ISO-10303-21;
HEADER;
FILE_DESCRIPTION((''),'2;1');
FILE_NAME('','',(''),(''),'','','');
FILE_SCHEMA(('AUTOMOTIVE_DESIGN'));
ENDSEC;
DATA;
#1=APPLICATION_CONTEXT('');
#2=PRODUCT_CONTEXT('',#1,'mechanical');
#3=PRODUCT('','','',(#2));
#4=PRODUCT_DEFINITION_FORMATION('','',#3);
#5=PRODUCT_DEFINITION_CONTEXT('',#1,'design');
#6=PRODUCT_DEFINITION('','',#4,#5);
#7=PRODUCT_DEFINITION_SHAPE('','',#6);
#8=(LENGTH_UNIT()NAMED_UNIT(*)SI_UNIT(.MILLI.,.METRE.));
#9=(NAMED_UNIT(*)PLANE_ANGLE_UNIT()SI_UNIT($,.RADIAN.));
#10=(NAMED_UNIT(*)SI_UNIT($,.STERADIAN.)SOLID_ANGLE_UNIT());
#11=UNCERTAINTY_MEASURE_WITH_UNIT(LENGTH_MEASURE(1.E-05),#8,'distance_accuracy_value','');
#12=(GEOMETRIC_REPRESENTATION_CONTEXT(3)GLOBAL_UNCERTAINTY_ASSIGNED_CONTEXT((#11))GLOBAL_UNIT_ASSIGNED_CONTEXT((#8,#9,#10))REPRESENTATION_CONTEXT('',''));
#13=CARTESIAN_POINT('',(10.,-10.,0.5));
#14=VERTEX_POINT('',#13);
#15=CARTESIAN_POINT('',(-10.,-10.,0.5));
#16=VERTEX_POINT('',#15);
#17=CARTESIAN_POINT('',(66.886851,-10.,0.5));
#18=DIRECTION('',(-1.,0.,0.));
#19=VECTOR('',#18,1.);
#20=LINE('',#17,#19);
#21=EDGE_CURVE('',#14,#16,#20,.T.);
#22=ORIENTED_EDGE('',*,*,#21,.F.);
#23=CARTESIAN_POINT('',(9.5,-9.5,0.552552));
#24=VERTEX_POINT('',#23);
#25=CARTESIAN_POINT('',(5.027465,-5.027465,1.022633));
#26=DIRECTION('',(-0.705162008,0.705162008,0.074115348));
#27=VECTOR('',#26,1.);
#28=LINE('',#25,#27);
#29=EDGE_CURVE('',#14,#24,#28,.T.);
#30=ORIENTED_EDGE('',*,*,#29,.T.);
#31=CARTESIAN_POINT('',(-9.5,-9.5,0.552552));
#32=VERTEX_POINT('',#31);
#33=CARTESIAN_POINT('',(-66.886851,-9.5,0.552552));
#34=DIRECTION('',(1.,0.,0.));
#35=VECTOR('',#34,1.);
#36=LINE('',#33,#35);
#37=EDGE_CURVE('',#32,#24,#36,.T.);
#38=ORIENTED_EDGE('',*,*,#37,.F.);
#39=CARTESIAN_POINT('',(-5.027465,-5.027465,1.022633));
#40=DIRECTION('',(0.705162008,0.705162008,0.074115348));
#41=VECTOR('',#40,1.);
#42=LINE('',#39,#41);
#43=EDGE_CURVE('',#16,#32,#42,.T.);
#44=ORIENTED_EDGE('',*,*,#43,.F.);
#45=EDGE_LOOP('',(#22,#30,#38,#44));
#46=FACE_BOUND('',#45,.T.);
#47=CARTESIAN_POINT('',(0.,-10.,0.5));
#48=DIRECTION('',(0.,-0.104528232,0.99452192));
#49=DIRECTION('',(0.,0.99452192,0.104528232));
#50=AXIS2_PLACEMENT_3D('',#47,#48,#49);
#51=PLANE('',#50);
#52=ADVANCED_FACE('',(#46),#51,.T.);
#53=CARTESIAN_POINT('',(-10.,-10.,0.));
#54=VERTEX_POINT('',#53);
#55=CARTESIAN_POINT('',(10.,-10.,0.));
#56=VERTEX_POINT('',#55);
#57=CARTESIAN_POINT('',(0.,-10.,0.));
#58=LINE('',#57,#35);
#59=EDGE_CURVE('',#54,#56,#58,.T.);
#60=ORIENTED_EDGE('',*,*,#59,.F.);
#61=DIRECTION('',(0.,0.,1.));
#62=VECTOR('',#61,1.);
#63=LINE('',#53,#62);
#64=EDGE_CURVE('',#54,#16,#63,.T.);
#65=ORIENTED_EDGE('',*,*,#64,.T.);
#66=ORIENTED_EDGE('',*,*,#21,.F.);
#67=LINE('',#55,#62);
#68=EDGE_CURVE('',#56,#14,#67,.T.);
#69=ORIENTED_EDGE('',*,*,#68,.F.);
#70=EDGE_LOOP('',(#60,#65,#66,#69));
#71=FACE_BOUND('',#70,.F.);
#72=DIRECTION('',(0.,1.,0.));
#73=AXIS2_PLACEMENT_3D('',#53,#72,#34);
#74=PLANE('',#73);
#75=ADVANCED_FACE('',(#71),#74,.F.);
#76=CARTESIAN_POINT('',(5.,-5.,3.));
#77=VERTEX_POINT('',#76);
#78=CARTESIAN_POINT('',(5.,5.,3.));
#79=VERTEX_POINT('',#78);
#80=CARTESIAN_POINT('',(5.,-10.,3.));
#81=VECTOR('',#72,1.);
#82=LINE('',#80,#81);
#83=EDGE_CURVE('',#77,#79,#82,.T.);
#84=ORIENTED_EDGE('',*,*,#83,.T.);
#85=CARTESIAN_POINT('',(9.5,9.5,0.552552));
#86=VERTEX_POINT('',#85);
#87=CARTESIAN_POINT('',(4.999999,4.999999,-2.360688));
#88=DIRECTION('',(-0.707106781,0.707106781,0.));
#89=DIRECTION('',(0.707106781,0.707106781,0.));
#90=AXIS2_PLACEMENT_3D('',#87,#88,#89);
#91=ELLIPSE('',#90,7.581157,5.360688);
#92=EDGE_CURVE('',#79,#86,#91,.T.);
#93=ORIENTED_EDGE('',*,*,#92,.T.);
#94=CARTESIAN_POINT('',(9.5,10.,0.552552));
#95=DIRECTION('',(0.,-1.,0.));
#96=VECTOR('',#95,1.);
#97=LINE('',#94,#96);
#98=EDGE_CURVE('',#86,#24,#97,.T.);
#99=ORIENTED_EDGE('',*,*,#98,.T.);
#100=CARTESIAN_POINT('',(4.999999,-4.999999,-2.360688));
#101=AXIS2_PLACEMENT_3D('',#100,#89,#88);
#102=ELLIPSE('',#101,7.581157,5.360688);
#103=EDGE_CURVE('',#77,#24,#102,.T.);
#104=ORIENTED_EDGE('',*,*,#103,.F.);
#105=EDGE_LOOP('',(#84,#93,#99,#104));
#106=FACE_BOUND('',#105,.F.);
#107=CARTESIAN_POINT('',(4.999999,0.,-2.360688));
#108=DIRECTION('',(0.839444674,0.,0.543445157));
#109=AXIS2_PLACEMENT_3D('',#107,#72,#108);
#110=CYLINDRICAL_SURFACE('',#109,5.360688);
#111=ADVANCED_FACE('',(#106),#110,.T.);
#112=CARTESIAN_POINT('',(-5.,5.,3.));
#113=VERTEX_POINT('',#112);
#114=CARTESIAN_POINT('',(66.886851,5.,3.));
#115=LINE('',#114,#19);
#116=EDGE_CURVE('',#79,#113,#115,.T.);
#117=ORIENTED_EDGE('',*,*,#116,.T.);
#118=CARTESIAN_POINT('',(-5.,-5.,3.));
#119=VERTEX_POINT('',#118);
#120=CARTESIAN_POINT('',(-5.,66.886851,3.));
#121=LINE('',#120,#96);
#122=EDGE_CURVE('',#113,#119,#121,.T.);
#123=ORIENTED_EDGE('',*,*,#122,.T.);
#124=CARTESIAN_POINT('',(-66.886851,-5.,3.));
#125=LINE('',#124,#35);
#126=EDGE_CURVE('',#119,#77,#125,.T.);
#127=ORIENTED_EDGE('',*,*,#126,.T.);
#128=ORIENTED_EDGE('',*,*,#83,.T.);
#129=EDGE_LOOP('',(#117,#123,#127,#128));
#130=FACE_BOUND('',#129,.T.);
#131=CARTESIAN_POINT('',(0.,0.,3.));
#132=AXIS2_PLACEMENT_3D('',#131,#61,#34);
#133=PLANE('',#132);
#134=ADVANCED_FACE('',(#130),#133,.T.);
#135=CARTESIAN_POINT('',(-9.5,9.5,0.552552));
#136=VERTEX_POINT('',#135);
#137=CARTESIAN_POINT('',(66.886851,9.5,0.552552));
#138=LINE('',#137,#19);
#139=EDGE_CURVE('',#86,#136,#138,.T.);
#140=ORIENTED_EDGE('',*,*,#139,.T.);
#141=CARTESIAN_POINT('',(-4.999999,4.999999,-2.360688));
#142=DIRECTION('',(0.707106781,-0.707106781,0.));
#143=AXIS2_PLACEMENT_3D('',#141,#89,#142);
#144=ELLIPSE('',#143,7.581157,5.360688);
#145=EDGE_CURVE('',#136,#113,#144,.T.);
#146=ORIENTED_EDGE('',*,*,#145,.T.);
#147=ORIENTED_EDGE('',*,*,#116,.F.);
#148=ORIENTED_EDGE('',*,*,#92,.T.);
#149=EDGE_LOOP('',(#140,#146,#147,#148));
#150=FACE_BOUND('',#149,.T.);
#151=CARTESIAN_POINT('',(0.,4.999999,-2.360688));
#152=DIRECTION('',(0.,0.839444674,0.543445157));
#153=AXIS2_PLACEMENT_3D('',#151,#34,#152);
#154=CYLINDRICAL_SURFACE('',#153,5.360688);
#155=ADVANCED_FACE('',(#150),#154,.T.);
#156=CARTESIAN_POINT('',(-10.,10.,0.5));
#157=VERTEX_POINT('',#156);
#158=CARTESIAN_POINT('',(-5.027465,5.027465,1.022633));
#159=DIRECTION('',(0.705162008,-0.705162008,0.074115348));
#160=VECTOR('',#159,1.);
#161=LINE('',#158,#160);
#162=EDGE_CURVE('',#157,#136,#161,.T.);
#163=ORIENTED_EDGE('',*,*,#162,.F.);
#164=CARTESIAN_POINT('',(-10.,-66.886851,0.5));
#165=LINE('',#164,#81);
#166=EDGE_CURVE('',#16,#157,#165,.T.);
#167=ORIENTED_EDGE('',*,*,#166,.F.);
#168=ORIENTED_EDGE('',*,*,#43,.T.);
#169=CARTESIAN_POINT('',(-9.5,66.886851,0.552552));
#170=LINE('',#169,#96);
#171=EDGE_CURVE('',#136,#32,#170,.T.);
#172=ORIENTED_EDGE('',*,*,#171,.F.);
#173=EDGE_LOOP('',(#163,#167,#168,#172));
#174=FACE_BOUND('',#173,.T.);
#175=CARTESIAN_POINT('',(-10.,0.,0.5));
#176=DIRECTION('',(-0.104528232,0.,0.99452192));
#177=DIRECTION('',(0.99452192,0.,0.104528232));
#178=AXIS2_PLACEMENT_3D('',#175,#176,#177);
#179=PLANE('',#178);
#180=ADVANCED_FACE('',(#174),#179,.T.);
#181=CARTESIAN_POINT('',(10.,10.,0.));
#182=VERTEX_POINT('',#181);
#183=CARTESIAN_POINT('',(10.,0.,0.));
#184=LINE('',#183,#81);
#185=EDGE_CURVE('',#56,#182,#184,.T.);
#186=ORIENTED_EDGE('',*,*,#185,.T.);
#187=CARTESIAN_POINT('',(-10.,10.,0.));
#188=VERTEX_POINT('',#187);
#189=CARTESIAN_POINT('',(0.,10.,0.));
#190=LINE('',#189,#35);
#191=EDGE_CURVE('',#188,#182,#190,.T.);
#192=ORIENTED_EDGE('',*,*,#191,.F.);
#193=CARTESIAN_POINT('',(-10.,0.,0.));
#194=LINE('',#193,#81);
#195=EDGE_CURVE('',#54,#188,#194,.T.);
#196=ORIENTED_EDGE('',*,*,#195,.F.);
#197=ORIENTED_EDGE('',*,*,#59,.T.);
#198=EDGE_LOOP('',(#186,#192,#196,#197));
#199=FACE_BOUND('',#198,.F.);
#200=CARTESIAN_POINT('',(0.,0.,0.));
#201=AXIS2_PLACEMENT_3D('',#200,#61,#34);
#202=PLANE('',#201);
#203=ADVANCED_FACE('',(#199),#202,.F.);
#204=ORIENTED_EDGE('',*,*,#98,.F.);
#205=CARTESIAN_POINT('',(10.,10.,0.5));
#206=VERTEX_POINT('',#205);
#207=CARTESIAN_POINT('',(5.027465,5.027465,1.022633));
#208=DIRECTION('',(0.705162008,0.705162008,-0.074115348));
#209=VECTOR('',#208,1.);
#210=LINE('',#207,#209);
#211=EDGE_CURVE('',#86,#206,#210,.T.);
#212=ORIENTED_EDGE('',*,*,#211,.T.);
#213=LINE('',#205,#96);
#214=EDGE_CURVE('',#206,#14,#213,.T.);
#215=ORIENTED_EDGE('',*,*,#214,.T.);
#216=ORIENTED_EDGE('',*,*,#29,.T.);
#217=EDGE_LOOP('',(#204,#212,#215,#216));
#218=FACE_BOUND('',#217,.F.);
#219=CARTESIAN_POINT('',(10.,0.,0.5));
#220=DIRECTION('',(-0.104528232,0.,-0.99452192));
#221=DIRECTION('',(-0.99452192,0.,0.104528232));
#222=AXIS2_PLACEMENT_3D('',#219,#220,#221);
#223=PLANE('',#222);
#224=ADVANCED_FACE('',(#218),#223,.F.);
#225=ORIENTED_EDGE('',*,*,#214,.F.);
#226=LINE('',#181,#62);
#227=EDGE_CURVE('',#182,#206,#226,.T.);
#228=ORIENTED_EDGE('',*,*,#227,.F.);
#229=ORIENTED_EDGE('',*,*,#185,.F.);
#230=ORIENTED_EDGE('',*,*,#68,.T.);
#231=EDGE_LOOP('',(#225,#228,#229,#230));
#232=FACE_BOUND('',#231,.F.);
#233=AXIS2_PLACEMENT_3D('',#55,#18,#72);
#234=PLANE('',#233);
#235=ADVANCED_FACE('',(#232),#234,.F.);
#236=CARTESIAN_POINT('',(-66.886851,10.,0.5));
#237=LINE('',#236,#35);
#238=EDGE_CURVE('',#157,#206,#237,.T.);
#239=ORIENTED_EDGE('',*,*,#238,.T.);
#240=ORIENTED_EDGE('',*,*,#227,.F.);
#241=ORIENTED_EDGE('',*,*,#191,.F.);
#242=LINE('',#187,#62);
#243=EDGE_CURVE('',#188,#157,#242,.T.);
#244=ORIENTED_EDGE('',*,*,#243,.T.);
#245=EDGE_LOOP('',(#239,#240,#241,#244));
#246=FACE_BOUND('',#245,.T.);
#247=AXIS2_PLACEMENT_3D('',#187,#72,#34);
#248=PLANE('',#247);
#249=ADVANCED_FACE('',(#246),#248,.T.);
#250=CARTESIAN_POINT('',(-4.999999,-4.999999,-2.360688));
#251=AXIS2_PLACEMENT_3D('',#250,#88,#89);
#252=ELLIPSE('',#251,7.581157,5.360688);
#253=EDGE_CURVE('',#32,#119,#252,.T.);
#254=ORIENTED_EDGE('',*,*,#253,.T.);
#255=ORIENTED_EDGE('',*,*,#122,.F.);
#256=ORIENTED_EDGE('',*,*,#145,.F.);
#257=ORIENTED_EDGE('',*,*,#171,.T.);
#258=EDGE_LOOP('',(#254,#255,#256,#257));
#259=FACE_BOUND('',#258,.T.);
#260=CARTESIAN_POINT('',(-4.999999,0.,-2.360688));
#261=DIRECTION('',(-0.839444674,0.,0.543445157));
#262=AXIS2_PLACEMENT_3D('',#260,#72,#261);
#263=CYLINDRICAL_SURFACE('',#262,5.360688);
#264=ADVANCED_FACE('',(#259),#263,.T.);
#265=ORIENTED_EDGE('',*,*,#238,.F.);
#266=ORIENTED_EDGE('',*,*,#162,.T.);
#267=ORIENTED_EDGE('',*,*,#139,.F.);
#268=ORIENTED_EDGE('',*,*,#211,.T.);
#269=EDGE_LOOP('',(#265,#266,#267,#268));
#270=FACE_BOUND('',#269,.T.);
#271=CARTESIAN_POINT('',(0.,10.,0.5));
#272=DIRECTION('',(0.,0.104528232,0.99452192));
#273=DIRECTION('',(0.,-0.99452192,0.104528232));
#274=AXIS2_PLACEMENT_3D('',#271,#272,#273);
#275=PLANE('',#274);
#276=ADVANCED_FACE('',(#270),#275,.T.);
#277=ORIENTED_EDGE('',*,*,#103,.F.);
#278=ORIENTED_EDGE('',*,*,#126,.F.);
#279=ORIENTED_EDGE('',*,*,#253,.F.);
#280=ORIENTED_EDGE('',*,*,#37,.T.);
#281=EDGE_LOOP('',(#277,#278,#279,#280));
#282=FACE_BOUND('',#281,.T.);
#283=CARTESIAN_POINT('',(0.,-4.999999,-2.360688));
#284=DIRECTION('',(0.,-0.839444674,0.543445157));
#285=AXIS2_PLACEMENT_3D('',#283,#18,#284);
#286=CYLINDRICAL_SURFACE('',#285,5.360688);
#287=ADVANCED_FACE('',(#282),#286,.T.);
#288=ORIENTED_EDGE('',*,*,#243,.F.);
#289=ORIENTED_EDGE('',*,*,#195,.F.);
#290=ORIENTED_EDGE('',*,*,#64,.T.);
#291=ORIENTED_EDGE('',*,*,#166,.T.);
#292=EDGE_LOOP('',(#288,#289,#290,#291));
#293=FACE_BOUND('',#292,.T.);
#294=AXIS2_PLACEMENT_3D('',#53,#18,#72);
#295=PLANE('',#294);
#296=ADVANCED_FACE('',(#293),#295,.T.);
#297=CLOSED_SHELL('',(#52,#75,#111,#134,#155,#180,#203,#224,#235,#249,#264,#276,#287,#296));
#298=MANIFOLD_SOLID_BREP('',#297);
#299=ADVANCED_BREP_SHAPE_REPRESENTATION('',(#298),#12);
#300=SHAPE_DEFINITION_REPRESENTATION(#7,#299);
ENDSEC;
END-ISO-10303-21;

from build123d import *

# Parameters (mm, degrees)
SKETCH_W           = 20
SKETCH_H           = 20
PAD_DEPTH          = 3
POCKET_DEPTH       = 66.886851
POCKET_DEPTH_BACK  = 66.886851
POLARPATTERN_COUNT = 4


with BuildPart() as part:
    # Sketch → Pad (new body)
    with BuildSketch(Plane.XY):
        Rectangle(SKETCH_W, SKETCH_H)
    extrude(amount=PAD_DEPTH)

    # Sketch001 → Pocket (cut, two sides)
    with BuildSketch(Plane.XZ) as pocket_sk:
        with BuildLine():
            Line((10, 0.5), (9.5, 0.552552))
            ThreePointArc((9.5, 0.552552), (7.56125, 2.348555), (5, 3))
            Line((5, 3), (10, 3))
            Line((10, 3), (10, 0.5))
        make_face()
    pocket = extrude(amount=-POCKET_DEPTH, mode=Mode.SUBTRACT) + extrude(pocket_sk.sketch, amount=POCKET_DEPTH_BACK, mode=Mode.SUBTRACT)

    # PolarPattern: Pocket ×4 about axis
    polarpattern_axis = Axis((0, 0, 0), (0, 0, 1))
    for i in range(1, POLARPATTERN_COUNT):
        add(pocket.rotate(polarpattern_axis, i * 360 / POLARPATTERN_COUNT), mode=Mode.SUBTRACT)


solid = part.part
